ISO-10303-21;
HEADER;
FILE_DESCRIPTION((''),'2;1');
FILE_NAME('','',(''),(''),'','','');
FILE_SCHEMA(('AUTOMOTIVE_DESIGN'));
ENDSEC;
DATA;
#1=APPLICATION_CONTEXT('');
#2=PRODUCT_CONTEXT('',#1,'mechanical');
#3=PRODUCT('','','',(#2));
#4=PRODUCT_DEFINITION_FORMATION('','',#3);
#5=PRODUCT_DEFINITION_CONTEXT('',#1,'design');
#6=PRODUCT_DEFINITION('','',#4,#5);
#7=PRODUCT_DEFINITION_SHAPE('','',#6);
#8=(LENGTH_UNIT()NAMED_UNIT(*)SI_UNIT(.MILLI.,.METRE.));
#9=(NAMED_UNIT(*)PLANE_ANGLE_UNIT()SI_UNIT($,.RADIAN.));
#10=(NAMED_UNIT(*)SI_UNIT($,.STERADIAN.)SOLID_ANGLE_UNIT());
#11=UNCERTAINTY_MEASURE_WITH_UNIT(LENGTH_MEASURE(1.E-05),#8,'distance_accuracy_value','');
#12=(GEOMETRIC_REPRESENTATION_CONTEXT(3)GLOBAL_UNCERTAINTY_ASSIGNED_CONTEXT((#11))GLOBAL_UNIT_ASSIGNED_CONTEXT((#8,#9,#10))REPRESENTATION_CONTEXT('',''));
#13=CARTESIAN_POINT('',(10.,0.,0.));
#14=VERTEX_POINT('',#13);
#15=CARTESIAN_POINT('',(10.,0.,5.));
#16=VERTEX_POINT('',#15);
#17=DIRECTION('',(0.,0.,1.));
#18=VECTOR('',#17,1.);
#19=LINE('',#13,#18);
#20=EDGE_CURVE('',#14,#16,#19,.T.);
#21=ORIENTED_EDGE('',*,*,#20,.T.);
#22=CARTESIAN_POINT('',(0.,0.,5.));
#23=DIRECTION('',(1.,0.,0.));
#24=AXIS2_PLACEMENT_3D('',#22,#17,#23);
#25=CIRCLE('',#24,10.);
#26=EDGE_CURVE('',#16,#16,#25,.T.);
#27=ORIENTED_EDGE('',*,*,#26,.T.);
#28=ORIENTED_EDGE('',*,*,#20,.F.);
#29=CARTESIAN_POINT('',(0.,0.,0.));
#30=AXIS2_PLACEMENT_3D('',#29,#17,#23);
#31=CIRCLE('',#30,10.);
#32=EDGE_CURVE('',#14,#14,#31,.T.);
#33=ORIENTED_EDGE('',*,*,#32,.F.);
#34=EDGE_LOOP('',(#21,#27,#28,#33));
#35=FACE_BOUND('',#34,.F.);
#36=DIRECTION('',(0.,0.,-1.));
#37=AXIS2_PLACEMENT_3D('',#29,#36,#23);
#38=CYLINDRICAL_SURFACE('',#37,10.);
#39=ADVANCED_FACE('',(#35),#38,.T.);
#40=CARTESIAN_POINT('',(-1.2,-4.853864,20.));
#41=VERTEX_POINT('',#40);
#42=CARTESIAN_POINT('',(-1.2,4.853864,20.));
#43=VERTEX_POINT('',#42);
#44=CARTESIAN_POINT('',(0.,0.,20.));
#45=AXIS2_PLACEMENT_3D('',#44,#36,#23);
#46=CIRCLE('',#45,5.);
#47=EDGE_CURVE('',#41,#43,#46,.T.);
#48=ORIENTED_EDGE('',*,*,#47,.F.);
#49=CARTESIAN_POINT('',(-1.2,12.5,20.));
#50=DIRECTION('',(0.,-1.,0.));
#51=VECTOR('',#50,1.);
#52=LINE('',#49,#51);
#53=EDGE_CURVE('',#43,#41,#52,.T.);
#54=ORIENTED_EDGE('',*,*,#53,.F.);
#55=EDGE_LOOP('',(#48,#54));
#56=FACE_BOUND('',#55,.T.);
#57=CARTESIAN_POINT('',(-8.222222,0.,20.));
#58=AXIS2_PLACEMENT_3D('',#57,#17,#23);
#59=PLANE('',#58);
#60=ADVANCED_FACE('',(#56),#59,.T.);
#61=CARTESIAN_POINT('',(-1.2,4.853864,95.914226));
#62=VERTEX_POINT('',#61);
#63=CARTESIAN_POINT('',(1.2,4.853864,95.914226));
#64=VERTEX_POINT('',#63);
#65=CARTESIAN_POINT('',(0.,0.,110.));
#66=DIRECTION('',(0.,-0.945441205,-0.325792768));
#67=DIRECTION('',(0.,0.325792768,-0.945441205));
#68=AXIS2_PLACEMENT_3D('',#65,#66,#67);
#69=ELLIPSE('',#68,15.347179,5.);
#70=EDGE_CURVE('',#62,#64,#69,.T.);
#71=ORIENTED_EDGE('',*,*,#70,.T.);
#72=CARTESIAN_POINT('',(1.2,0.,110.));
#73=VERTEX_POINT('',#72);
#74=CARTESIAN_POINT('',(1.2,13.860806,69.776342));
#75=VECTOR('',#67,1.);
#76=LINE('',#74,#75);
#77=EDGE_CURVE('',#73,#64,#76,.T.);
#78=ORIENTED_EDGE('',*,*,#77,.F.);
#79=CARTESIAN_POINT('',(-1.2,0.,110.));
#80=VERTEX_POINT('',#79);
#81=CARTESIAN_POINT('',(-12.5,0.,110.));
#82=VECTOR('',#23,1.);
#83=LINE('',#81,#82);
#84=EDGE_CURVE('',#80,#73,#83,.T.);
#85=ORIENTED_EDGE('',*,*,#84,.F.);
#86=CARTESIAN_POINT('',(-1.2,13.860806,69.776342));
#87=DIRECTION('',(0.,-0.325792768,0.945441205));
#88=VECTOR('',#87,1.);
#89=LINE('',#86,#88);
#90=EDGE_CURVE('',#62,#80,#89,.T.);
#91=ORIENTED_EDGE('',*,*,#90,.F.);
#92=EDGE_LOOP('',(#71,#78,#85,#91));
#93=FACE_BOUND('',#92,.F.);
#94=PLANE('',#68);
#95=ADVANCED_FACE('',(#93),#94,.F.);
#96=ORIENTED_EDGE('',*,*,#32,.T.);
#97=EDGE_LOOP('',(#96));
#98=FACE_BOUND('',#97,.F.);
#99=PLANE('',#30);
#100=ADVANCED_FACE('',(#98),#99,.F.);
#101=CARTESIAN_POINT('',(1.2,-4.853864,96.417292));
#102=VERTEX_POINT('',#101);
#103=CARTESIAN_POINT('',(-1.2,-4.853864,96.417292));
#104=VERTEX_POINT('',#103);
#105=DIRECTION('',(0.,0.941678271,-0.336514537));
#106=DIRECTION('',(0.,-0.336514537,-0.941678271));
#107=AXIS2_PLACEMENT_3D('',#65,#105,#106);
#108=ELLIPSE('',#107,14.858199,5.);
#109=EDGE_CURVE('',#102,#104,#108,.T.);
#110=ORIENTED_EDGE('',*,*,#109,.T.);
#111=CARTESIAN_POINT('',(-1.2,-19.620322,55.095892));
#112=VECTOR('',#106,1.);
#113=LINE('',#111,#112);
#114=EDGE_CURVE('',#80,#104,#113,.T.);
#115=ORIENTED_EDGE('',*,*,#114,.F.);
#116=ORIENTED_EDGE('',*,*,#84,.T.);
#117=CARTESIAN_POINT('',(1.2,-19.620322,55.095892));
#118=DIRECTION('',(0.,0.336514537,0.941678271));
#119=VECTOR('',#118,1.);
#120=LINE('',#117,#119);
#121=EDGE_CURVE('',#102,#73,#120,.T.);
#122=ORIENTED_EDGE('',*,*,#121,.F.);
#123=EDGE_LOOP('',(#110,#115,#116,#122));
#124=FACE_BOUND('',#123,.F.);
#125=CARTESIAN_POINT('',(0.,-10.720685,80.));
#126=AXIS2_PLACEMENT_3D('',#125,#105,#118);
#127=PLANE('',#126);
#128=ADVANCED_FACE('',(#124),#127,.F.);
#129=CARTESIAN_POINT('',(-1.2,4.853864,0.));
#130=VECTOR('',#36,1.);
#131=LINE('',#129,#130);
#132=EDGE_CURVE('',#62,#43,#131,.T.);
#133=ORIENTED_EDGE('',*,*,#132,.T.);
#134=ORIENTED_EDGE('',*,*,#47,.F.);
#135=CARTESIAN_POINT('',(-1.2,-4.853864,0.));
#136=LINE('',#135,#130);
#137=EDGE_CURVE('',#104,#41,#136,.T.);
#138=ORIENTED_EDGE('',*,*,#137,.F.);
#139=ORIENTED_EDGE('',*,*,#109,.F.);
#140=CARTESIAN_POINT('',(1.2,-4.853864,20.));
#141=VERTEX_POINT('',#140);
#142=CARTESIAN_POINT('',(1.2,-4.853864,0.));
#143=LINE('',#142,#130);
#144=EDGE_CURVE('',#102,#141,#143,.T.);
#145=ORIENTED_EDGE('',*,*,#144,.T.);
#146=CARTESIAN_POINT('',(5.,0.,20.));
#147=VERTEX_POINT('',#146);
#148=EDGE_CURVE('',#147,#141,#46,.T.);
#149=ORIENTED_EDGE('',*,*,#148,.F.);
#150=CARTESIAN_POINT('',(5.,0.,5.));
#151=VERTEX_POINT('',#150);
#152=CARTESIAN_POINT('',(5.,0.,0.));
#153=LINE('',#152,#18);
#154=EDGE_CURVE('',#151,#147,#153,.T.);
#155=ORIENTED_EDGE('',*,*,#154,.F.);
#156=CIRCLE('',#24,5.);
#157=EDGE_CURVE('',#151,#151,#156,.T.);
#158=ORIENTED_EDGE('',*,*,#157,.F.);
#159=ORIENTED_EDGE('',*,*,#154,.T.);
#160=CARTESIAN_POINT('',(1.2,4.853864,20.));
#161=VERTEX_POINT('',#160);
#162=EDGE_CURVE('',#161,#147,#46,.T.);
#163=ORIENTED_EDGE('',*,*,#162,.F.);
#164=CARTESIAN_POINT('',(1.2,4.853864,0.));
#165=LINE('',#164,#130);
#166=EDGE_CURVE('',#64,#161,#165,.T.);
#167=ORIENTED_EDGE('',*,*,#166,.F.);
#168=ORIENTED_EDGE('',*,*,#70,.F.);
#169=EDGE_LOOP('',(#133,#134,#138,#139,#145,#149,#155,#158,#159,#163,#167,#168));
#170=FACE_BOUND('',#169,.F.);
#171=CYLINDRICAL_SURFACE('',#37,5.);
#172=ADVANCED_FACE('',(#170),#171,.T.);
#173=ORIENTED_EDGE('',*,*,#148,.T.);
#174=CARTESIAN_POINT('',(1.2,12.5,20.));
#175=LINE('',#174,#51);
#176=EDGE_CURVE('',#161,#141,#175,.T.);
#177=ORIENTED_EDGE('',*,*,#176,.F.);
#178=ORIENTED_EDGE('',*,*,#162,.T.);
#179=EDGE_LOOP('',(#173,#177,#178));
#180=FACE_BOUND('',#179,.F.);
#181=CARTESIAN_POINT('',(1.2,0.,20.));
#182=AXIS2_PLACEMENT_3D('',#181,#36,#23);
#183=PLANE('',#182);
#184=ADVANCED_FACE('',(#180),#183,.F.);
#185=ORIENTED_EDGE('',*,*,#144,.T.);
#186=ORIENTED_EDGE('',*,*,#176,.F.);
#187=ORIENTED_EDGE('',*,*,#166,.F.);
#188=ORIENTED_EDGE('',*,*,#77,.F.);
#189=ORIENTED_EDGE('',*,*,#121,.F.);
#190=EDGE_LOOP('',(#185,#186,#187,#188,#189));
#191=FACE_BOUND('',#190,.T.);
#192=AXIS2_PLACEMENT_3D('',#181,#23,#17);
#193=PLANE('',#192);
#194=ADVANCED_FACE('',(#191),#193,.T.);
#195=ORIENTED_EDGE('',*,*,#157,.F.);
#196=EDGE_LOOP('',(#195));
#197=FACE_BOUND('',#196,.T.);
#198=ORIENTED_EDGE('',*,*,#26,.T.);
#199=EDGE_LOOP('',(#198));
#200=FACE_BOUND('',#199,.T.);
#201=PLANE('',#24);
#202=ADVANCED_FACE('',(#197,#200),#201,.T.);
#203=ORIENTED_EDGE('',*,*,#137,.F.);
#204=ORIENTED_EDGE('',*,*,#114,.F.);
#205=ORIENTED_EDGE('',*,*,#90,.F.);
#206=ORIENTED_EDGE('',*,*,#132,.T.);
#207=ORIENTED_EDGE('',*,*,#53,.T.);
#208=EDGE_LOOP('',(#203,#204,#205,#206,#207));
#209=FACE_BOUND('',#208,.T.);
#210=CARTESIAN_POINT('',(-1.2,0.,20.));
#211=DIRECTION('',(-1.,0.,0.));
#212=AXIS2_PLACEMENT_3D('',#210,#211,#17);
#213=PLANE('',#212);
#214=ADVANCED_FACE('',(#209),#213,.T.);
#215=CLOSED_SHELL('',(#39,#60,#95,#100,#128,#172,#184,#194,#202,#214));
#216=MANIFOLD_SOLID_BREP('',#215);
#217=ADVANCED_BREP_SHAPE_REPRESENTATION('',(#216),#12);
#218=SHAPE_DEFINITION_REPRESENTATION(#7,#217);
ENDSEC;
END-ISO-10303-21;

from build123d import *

# Parameters (mm, degrees)
F0_R     = 5
F1_DEPTH = 125
F2_W     = 7.022222
F2_H     = 110
F3_DEPTH = 12.5
F6_DEPTH = 12.5
F0_R_2   = 10
F8_DEPTH = 5


with BuildPart() as f1:
    # F0 (on Top) → F1 (new body)
    with BuildSketch(Plane.XY):
        Circle(F0_R)
    extrude(amount=F1_DEPTH)


with BuildPart() as f3:
    # F2 (on Front) → F3 (new body, symmetric)
    with BuildSketch(Plane.XZ):
        with Locations((-4.711111, 75)):
            Rectangle(F2_W, F2_H)
        with Locations((4.711111, 75)):
            Rectangle(F2_W, F2_H)
    extrude(amount=F3_DEPTH, both=True)


with BuildPart() as f1_1:
    add(f1.part)

    # F4: cut F3
    add(f3.part, mode=Mode.SUBTRACT)


with BuildPart() as f6:
    # F5 (on Right) → F6 (new body, symmetric)
    with BuildSketch(Plane.YZ):
        Polygon((32.54493, 130), (-35.225107, 130), (-35.607988, 80), (-10.720685, 80), (0, 110), (10.337801, 80), (32.54493, 80), align=None)
    extrude(amount=F6_DEPTH, both=True)


with BuildPart() as f1_2:
    add(f1_1.part)

    # F7: cut F6
    add(f6.part, mode=Mode.SUBTRACT)

    # F0 (on Top) → F8 (join)
    with BuildSketch(Plane.XY):
        Circle(F0_R_2)
        Circle(F0_R, mode=Mode.SUBTRACT)
    extrude(amount=F8_DEPTH)


solid = f1_2.part
